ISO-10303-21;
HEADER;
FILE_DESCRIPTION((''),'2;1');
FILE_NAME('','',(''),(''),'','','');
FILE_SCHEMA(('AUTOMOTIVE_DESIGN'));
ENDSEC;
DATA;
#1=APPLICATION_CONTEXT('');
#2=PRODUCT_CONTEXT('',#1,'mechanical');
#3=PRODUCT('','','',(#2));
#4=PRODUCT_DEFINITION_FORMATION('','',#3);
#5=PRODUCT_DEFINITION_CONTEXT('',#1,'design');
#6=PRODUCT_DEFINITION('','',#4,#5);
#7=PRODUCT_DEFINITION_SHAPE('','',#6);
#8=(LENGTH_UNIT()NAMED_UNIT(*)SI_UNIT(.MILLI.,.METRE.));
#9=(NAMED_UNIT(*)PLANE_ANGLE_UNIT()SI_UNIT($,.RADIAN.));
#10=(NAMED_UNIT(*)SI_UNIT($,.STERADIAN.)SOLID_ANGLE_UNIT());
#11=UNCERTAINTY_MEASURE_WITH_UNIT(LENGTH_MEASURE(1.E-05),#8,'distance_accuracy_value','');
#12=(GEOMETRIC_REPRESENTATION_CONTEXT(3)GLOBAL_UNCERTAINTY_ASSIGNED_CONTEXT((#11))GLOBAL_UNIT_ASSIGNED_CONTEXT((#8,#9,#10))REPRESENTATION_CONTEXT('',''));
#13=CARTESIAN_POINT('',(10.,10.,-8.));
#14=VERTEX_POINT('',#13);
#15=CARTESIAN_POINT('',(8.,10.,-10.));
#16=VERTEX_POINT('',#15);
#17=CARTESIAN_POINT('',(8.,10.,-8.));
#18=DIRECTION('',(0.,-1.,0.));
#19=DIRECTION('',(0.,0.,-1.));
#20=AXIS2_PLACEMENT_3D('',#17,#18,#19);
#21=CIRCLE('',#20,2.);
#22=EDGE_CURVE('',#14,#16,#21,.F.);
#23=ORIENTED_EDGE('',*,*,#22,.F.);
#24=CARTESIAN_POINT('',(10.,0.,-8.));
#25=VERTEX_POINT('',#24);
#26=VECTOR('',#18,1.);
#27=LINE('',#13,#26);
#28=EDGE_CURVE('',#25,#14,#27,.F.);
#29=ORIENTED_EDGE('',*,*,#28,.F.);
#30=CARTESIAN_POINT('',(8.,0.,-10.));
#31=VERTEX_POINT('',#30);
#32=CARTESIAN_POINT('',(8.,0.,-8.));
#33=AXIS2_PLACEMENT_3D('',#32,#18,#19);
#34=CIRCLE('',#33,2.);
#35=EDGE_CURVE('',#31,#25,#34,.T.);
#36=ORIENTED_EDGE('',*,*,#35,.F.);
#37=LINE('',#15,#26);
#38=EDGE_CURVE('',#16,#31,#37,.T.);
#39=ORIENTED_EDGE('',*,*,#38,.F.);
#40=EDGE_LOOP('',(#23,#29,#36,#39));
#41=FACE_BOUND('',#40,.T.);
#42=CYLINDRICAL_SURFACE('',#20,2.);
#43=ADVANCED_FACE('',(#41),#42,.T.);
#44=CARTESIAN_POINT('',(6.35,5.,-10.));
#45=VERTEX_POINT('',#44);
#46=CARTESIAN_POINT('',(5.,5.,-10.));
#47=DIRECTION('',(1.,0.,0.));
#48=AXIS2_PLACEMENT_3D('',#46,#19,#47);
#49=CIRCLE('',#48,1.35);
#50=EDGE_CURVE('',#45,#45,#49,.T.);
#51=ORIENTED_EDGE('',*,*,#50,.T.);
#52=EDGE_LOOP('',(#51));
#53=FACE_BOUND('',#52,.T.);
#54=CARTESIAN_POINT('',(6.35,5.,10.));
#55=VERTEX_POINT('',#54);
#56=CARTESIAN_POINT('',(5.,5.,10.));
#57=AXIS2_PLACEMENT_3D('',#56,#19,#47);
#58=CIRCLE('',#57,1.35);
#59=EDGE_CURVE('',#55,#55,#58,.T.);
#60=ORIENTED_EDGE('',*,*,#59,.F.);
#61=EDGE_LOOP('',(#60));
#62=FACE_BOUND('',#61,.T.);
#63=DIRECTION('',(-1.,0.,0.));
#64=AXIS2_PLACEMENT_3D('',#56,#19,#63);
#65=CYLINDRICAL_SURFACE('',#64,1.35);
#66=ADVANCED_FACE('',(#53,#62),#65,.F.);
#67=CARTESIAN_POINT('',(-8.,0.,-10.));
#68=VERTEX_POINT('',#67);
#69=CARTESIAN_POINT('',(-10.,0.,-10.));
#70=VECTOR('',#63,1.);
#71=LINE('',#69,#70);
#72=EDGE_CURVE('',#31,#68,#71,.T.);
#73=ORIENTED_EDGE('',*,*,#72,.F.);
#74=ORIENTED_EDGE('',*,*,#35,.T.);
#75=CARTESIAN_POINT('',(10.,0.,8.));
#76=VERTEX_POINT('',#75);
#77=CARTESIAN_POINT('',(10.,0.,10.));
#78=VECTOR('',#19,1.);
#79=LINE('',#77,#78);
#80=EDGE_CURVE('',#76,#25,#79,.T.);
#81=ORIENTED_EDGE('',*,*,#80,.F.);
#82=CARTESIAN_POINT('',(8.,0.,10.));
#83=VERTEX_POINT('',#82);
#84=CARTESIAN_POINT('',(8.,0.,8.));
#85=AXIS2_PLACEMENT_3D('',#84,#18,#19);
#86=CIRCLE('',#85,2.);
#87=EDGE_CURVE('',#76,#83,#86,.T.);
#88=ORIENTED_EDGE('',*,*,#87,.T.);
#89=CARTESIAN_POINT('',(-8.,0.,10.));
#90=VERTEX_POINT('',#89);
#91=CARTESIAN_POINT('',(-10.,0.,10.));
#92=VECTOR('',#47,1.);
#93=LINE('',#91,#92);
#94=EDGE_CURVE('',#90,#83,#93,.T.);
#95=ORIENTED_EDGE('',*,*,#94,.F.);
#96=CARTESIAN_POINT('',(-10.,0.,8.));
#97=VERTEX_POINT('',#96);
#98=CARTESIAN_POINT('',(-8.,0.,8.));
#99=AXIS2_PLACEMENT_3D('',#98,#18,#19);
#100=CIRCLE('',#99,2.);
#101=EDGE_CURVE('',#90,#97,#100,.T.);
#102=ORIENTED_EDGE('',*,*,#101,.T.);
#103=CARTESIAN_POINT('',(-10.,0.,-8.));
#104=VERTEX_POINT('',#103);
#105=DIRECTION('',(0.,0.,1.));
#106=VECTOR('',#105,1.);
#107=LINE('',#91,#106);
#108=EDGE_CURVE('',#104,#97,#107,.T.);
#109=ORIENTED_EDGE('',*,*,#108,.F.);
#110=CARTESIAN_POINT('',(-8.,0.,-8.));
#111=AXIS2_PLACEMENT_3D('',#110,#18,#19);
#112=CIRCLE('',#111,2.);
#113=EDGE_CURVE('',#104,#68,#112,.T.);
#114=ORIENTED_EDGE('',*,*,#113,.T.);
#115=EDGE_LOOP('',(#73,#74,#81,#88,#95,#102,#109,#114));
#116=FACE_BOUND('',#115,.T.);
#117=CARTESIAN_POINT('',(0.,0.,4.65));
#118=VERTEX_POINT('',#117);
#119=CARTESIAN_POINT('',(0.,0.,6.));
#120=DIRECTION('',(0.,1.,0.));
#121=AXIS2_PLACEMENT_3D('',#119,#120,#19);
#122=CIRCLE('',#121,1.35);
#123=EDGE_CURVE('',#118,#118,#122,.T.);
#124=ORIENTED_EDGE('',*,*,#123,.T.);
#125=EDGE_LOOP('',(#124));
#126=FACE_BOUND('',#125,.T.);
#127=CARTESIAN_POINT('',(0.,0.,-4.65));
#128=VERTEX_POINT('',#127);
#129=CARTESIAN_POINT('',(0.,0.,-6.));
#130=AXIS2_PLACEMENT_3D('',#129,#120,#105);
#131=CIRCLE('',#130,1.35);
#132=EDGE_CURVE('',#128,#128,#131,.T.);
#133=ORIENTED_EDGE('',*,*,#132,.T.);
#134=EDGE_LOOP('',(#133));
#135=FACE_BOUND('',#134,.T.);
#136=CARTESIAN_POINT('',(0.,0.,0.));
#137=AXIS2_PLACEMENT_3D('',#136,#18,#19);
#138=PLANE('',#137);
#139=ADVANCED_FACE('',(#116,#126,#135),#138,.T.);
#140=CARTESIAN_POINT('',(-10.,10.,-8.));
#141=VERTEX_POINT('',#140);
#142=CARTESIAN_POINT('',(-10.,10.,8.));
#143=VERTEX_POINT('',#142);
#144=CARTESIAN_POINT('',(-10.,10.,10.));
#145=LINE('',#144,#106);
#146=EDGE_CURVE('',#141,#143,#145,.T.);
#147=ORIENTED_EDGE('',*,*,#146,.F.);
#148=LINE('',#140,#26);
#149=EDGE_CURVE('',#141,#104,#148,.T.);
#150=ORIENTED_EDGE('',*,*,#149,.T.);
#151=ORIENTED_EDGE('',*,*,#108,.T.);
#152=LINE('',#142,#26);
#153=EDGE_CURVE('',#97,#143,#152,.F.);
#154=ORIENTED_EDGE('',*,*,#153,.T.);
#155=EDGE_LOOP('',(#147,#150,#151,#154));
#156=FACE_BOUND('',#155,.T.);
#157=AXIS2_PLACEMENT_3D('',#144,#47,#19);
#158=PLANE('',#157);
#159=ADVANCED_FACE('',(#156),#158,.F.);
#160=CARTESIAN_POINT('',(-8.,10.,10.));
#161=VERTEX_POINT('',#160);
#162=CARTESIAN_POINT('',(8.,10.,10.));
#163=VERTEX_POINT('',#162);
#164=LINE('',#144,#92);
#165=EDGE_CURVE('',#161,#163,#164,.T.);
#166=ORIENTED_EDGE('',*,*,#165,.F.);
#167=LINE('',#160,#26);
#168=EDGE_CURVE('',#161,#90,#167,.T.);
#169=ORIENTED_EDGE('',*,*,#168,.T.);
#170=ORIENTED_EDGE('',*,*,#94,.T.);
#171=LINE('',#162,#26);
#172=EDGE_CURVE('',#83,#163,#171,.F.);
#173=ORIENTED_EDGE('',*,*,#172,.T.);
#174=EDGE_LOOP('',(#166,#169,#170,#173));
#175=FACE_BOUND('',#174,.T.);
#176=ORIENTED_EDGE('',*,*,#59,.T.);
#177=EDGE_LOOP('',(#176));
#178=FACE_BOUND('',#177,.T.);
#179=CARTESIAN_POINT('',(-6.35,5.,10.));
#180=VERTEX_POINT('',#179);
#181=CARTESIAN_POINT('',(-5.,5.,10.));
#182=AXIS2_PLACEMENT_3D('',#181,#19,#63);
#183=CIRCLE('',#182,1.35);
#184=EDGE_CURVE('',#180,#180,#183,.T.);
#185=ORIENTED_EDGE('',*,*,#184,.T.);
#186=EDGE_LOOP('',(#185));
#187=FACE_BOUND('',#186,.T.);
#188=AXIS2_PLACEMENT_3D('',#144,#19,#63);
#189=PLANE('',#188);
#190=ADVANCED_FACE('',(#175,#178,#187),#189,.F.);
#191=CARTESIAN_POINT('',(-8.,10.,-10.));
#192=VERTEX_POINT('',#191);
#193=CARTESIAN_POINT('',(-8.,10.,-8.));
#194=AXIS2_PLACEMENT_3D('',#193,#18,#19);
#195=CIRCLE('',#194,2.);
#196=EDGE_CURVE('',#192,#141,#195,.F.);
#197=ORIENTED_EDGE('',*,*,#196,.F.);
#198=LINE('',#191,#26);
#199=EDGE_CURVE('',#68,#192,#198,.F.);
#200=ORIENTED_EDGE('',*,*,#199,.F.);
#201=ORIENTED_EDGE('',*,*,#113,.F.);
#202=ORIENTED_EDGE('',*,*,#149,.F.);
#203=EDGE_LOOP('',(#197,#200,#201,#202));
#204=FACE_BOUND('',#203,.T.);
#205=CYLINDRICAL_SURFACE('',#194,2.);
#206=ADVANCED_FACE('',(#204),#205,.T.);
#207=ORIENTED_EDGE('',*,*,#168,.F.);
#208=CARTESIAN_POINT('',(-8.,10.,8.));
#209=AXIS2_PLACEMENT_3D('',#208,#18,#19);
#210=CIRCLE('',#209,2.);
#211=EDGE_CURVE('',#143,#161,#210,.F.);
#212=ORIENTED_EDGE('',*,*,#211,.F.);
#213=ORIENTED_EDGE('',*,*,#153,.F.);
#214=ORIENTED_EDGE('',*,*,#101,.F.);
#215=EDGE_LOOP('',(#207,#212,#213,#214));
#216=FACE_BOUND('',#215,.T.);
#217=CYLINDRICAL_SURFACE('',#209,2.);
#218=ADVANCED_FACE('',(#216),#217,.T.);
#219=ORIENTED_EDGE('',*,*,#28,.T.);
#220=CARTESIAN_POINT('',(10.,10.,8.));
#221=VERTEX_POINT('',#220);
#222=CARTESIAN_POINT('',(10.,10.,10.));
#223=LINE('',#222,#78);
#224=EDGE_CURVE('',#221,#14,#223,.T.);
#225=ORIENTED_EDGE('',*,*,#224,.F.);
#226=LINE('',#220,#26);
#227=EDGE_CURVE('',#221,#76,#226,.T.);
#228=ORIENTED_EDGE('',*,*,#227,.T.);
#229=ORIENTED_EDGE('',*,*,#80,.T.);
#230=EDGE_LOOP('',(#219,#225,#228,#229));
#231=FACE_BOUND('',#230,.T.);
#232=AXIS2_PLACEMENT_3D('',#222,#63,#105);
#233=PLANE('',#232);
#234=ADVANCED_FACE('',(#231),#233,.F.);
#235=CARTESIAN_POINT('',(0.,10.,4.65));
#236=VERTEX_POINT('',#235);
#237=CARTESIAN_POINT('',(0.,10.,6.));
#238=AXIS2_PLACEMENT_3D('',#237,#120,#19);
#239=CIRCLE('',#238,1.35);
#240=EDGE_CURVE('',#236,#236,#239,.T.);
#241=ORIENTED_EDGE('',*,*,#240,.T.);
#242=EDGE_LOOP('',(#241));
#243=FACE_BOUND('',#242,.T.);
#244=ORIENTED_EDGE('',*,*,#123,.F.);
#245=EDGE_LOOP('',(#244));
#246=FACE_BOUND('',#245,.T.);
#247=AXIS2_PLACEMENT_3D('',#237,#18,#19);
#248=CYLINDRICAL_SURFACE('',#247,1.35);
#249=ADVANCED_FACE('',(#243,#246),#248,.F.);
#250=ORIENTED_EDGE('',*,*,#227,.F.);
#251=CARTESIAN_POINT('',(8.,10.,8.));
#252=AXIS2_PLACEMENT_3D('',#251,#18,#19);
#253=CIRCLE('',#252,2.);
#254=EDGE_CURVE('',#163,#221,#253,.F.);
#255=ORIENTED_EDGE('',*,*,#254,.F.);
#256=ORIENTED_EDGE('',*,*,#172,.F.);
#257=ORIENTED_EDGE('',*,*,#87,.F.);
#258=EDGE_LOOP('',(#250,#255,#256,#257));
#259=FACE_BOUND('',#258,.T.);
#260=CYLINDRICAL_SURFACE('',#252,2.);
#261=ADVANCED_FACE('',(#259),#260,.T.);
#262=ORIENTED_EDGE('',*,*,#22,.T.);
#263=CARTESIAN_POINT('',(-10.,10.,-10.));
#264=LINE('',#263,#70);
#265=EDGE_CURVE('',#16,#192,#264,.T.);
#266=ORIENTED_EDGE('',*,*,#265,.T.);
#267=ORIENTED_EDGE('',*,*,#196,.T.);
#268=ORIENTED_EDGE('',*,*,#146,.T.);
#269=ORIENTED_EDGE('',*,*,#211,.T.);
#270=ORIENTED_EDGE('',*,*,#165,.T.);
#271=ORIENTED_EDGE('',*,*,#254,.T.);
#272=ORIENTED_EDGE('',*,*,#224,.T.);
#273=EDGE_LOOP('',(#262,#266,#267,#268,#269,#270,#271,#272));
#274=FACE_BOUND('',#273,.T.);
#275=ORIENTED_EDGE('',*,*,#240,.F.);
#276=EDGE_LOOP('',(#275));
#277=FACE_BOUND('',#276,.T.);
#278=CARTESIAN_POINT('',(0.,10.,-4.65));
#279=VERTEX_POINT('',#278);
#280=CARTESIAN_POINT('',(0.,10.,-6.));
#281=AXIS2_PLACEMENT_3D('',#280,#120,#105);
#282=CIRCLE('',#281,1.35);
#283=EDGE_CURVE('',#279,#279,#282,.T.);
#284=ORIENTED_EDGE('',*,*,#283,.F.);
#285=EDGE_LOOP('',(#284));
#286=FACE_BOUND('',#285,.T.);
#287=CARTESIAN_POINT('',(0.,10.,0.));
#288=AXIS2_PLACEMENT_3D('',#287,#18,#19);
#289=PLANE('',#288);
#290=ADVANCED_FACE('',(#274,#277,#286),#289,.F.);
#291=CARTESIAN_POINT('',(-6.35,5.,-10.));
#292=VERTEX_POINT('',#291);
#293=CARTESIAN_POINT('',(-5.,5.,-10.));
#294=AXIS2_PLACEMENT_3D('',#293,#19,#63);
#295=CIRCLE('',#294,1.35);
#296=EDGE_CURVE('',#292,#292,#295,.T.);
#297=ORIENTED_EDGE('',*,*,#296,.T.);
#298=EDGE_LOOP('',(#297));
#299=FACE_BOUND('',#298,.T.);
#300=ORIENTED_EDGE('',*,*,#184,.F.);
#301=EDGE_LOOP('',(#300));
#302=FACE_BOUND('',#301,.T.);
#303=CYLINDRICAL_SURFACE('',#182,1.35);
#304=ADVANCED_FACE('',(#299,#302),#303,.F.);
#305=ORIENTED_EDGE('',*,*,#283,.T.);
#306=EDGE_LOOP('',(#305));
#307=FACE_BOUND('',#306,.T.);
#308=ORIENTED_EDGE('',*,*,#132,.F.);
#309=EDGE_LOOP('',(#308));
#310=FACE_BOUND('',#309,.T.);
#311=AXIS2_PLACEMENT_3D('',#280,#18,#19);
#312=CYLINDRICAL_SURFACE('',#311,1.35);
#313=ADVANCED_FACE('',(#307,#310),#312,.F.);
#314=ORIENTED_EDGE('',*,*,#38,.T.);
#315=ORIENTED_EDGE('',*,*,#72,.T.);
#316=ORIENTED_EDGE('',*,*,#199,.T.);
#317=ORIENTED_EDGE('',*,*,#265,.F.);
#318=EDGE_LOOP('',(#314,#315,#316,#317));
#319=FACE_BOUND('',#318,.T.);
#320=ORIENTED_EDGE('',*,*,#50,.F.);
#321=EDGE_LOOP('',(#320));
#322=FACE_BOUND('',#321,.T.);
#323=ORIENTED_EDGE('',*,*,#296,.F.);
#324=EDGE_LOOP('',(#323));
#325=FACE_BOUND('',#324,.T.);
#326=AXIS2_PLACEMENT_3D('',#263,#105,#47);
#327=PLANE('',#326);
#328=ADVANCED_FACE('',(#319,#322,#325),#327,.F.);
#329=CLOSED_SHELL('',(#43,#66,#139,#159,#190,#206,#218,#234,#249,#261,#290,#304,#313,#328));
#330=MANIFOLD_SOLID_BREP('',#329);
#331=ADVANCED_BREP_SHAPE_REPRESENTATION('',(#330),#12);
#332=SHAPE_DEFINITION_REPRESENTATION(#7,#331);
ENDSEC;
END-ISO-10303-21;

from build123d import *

# Parameters (mm, degrees)
SKETCH_1_W          = 20
SKETCH_1_H          = 20
SKETCH_1_R          = 1.35
EXTRUDE_1_DEPTH     = 10
SKETCH_3_R          = 1.35
CUT_EXTRUDE_1_DEPTH = 25.494897428
FILLET_1_R          = 2


with BuildPart() as part:
    # 草图1 → 凸台-拉伸1 (new body)
    with BuildSketch(Plane(origin=(0, 0, 0), x_dir=(1, 0, 0), z_dir=(0, 1, 0))):
        Rectangle(SKETCH_1_W, SKETCH_1_H)
        with Locations(Location((0, 6, 0), (0, 0, 270))):
            Circle(SKETCH_1_R, mode=Mode.SUBTRACT)
        with Locations(Location((0, -6, 0), (0, 0, 90))):
            Circle(SKETCH_1_R, mode=Mode.SUBTRACT)
    extrude(amount=EXTRUDE_1_DEPTH)

    # 草图3 → 切除-拉伸1 (cut, through all)
    with BuildSketch(Plane(origin=(0, 0, -10), x_dir=(-1, 0, 0), z_dir=(0, 0, -1))):
        with Locations((5, 5)):
            Circle(SKETCH_3_R)
        with Locations(Location((-5, 5, 0), (0, 0, 180))):
            Circle(SKETCH_3_R)
    extrude(amount=-CUT_EXTRUDE_1_DEPTH, mode=Mode.SUBTRACT)

    # 圆角1
    fillet_1_edges = [part.edges().sort_by_distance(p)[0] for p in [
        (10, 5, 10),
        (-10, 5, 10),
        (-10, 5, -10),
        (10, 5, -10),
    ]]
    fillet(fillet_1_edges, radius=FILLET_1_R)


solid = part.part
